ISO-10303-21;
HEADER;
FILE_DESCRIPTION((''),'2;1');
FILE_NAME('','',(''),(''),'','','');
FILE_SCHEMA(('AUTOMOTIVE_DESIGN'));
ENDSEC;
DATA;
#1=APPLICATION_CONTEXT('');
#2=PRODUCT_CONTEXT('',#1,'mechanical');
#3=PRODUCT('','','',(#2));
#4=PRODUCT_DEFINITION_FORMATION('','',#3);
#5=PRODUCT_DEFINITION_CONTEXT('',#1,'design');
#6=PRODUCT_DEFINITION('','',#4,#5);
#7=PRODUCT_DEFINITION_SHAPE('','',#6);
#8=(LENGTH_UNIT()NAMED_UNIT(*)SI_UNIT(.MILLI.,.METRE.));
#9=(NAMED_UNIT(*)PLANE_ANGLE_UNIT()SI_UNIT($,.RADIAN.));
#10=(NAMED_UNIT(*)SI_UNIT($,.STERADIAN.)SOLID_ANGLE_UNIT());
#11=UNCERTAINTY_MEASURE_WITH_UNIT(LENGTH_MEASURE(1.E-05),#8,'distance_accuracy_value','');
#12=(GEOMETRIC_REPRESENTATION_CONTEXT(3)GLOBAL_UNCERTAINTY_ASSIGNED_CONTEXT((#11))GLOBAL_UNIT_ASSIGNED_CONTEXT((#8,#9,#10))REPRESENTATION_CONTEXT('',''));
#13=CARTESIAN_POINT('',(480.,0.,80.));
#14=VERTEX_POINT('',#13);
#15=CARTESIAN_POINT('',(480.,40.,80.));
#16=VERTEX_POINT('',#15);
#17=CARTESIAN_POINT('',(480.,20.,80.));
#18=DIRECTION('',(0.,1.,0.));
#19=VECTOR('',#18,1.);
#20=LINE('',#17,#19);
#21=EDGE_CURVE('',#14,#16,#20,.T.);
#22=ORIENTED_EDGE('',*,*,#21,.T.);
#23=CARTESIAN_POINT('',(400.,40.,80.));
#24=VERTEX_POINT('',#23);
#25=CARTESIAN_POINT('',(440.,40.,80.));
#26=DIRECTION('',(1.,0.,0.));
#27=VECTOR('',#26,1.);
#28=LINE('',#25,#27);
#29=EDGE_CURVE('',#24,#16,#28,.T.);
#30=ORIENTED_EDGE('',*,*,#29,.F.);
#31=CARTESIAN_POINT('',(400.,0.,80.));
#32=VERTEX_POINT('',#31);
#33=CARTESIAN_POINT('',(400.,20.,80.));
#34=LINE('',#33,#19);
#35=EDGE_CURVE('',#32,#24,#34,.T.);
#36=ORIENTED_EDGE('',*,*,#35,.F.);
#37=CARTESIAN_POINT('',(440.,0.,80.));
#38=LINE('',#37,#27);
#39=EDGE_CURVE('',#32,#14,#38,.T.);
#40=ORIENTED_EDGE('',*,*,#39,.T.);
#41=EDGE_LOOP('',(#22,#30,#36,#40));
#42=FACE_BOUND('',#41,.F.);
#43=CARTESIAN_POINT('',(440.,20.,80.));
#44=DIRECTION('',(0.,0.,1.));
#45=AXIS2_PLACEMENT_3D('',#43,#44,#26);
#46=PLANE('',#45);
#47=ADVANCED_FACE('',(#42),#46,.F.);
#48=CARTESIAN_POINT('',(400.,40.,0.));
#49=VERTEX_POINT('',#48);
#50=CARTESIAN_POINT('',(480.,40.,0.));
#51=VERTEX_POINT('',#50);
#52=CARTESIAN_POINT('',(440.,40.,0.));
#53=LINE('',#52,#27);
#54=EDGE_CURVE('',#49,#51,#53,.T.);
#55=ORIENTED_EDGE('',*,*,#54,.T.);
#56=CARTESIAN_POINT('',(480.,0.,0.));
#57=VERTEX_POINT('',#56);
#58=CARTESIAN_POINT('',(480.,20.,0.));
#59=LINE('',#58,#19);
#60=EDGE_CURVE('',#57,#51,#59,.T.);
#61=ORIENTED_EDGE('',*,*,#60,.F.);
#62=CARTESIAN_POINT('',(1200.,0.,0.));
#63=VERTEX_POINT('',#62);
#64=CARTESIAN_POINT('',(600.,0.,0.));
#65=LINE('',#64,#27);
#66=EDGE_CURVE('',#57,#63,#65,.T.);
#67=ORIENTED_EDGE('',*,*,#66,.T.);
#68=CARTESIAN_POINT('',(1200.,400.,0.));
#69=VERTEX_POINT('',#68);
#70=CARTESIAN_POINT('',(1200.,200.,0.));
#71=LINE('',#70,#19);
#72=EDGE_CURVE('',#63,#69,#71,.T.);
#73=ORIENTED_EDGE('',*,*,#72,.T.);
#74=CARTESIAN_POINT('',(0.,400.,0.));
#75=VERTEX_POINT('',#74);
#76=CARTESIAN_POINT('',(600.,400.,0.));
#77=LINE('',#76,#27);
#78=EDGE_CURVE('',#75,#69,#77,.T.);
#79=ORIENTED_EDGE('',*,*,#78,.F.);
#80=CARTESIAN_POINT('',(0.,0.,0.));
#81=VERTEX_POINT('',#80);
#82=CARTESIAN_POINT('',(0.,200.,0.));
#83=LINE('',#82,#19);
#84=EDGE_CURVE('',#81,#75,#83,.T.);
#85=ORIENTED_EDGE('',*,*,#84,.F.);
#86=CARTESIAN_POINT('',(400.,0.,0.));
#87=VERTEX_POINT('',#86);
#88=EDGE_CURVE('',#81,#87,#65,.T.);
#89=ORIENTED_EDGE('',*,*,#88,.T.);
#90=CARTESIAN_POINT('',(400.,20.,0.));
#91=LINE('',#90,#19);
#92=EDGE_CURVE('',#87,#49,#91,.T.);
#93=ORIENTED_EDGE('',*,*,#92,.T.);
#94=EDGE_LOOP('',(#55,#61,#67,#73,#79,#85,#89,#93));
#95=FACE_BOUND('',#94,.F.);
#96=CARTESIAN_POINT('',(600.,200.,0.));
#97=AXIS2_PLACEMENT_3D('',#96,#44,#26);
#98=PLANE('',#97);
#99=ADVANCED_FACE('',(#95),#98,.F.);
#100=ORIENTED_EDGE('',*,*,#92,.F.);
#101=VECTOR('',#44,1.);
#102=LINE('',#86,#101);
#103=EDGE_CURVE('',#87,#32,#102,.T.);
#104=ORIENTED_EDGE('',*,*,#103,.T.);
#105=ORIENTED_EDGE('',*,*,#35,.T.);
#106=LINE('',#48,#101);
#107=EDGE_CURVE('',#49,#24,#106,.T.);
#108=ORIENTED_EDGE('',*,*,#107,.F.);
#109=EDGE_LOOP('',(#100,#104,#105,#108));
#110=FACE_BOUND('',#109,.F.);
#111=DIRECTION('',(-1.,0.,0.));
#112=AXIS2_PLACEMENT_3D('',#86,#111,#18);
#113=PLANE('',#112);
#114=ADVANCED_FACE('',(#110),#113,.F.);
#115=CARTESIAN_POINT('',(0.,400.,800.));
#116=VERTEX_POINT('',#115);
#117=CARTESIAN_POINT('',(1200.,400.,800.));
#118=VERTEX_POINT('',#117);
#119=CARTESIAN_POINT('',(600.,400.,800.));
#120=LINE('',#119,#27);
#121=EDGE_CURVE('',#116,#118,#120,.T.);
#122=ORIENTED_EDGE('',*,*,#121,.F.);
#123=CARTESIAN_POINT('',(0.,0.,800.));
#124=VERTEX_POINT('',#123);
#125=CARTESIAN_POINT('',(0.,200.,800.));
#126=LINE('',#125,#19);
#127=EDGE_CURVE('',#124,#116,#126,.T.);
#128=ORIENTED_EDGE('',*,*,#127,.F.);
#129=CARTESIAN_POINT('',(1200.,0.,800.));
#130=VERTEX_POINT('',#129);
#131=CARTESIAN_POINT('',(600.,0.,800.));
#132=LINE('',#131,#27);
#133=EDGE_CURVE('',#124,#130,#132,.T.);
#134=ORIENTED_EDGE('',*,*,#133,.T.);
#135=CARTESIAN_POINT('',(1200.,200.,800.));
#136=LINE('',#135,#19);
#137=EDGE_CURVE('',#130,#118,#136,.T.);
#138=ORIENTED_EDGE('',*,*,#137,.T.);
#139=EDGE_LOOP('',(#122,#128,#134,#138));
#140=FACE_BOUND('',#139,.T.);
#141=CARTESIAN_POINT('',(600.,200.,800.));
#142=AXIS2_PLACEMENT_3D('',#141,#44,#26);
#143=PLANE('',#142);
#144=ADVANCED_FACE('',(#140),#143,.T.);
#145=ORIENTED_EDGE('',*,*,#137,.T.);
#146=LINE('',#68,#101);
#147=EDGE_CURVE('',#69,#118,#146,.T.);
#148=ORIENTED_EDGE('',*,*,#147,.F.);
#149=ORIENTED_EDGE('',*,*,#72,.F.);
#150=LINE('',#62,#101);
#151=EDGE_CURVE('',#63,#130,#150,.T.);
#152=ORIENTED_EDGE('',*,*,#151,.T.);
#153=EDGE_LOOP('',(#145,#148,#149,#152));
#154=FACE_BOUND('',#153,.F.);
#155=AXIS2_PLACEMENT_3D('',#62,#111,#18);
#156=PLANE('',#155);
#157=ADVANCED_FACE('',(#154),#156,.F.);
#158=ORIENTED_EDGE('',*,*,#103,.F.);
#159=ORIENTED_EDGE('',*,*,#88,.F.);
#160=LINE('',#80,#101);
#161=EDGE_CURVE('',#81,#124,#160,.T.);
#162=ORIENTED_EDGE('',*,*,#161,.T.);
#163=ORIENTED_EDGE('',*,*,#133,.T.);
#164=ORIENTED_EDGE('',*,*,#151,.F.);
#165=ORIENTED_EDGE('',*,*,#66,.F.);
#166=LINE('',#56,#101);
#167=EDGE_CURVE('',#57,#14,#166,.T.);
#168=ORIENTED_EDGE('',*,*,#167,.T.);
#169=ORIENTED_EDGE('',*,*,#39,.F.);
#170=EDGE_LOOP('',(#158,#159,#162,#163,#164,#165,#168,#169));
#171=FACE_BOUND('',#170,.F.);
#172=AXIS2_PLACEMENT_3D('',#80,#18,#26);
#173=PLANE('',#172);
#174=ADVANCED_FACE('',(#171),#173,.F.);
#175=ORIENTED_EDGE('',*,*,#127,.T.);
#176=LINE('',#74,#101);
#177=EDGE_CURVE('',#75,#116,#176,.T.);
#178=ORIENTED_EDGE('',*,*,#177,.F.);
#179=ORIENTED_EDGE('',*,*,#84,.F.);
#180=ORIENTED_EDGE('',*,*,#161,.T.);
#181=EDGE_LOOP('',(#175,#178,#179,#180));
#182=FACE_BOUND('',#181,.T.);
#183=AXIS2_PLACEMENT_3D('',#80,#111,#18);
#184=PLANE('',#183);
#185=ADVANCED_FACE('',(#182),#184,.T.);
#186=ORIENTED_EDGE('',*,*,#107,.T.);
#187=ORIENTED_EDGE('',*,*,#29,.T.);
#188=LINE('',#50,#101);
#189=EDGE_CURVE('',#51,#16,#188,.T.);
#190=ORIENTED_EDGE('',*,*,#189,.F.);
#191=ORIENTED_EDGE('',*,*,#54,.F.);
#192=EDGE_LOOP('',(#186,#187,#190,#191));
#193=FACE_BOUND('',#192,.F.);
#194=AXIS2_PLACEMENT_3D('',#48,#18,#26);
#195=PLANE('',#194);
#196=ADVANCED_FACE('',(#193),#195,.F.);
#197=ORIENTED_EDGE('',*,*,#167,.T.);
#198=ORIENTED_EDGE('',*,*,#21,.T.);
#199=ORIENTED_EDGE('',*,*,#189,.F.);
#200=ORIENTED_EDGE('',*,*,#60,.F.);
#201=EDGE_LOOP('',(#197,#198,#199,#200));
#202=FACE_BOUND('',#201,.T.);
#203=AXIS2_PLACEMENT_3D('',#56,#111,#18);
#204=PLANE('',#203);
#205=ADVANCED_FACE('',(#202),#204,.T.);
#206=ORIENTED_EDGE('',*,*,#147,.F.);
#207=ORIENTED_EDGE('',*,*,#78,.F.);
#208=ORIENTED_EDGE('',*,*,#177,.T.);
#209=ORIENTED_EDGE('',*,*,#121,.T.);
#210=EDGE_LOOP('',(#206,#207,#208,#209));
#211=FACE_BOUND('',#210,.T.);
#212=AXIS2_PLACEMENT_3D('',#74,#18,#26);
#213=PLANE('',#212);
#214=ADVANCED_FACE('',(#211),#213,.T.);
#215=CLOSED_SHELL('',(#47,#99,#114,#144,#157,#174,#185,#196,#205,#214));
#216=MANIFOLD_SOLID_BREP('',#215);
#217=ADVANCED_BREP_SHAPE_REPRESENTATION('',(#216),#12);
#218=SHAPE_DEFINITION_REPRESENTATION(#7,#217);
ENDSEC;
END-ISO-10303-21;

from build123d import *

# Parameters (mm, degrees)
F0_W     = 1200
F0_H     = 400
F2_DEPTH = 800
F1_W     = 80
F1_H     = 40
F3_DEPTH = 80


with BuildPart() as f2:
    # F0 (on Top) → F2 (new body)
    with BuildSketch(Plane.XY):
        with Locations((600, 200)):
            Rectangle(F0_W, F0_H)
    extrude(amount=F2_DEPTH)

    # F1 (on Top) → F3 (cut)
    with BuildSketch(Plane.XY):
        with Locations((440, 20)):
            Rectangle(F1_W, F1_H)
    extrude(amount=F3_DEPTH, mode=Mode.SUBTRACT)


solid = f2.part
